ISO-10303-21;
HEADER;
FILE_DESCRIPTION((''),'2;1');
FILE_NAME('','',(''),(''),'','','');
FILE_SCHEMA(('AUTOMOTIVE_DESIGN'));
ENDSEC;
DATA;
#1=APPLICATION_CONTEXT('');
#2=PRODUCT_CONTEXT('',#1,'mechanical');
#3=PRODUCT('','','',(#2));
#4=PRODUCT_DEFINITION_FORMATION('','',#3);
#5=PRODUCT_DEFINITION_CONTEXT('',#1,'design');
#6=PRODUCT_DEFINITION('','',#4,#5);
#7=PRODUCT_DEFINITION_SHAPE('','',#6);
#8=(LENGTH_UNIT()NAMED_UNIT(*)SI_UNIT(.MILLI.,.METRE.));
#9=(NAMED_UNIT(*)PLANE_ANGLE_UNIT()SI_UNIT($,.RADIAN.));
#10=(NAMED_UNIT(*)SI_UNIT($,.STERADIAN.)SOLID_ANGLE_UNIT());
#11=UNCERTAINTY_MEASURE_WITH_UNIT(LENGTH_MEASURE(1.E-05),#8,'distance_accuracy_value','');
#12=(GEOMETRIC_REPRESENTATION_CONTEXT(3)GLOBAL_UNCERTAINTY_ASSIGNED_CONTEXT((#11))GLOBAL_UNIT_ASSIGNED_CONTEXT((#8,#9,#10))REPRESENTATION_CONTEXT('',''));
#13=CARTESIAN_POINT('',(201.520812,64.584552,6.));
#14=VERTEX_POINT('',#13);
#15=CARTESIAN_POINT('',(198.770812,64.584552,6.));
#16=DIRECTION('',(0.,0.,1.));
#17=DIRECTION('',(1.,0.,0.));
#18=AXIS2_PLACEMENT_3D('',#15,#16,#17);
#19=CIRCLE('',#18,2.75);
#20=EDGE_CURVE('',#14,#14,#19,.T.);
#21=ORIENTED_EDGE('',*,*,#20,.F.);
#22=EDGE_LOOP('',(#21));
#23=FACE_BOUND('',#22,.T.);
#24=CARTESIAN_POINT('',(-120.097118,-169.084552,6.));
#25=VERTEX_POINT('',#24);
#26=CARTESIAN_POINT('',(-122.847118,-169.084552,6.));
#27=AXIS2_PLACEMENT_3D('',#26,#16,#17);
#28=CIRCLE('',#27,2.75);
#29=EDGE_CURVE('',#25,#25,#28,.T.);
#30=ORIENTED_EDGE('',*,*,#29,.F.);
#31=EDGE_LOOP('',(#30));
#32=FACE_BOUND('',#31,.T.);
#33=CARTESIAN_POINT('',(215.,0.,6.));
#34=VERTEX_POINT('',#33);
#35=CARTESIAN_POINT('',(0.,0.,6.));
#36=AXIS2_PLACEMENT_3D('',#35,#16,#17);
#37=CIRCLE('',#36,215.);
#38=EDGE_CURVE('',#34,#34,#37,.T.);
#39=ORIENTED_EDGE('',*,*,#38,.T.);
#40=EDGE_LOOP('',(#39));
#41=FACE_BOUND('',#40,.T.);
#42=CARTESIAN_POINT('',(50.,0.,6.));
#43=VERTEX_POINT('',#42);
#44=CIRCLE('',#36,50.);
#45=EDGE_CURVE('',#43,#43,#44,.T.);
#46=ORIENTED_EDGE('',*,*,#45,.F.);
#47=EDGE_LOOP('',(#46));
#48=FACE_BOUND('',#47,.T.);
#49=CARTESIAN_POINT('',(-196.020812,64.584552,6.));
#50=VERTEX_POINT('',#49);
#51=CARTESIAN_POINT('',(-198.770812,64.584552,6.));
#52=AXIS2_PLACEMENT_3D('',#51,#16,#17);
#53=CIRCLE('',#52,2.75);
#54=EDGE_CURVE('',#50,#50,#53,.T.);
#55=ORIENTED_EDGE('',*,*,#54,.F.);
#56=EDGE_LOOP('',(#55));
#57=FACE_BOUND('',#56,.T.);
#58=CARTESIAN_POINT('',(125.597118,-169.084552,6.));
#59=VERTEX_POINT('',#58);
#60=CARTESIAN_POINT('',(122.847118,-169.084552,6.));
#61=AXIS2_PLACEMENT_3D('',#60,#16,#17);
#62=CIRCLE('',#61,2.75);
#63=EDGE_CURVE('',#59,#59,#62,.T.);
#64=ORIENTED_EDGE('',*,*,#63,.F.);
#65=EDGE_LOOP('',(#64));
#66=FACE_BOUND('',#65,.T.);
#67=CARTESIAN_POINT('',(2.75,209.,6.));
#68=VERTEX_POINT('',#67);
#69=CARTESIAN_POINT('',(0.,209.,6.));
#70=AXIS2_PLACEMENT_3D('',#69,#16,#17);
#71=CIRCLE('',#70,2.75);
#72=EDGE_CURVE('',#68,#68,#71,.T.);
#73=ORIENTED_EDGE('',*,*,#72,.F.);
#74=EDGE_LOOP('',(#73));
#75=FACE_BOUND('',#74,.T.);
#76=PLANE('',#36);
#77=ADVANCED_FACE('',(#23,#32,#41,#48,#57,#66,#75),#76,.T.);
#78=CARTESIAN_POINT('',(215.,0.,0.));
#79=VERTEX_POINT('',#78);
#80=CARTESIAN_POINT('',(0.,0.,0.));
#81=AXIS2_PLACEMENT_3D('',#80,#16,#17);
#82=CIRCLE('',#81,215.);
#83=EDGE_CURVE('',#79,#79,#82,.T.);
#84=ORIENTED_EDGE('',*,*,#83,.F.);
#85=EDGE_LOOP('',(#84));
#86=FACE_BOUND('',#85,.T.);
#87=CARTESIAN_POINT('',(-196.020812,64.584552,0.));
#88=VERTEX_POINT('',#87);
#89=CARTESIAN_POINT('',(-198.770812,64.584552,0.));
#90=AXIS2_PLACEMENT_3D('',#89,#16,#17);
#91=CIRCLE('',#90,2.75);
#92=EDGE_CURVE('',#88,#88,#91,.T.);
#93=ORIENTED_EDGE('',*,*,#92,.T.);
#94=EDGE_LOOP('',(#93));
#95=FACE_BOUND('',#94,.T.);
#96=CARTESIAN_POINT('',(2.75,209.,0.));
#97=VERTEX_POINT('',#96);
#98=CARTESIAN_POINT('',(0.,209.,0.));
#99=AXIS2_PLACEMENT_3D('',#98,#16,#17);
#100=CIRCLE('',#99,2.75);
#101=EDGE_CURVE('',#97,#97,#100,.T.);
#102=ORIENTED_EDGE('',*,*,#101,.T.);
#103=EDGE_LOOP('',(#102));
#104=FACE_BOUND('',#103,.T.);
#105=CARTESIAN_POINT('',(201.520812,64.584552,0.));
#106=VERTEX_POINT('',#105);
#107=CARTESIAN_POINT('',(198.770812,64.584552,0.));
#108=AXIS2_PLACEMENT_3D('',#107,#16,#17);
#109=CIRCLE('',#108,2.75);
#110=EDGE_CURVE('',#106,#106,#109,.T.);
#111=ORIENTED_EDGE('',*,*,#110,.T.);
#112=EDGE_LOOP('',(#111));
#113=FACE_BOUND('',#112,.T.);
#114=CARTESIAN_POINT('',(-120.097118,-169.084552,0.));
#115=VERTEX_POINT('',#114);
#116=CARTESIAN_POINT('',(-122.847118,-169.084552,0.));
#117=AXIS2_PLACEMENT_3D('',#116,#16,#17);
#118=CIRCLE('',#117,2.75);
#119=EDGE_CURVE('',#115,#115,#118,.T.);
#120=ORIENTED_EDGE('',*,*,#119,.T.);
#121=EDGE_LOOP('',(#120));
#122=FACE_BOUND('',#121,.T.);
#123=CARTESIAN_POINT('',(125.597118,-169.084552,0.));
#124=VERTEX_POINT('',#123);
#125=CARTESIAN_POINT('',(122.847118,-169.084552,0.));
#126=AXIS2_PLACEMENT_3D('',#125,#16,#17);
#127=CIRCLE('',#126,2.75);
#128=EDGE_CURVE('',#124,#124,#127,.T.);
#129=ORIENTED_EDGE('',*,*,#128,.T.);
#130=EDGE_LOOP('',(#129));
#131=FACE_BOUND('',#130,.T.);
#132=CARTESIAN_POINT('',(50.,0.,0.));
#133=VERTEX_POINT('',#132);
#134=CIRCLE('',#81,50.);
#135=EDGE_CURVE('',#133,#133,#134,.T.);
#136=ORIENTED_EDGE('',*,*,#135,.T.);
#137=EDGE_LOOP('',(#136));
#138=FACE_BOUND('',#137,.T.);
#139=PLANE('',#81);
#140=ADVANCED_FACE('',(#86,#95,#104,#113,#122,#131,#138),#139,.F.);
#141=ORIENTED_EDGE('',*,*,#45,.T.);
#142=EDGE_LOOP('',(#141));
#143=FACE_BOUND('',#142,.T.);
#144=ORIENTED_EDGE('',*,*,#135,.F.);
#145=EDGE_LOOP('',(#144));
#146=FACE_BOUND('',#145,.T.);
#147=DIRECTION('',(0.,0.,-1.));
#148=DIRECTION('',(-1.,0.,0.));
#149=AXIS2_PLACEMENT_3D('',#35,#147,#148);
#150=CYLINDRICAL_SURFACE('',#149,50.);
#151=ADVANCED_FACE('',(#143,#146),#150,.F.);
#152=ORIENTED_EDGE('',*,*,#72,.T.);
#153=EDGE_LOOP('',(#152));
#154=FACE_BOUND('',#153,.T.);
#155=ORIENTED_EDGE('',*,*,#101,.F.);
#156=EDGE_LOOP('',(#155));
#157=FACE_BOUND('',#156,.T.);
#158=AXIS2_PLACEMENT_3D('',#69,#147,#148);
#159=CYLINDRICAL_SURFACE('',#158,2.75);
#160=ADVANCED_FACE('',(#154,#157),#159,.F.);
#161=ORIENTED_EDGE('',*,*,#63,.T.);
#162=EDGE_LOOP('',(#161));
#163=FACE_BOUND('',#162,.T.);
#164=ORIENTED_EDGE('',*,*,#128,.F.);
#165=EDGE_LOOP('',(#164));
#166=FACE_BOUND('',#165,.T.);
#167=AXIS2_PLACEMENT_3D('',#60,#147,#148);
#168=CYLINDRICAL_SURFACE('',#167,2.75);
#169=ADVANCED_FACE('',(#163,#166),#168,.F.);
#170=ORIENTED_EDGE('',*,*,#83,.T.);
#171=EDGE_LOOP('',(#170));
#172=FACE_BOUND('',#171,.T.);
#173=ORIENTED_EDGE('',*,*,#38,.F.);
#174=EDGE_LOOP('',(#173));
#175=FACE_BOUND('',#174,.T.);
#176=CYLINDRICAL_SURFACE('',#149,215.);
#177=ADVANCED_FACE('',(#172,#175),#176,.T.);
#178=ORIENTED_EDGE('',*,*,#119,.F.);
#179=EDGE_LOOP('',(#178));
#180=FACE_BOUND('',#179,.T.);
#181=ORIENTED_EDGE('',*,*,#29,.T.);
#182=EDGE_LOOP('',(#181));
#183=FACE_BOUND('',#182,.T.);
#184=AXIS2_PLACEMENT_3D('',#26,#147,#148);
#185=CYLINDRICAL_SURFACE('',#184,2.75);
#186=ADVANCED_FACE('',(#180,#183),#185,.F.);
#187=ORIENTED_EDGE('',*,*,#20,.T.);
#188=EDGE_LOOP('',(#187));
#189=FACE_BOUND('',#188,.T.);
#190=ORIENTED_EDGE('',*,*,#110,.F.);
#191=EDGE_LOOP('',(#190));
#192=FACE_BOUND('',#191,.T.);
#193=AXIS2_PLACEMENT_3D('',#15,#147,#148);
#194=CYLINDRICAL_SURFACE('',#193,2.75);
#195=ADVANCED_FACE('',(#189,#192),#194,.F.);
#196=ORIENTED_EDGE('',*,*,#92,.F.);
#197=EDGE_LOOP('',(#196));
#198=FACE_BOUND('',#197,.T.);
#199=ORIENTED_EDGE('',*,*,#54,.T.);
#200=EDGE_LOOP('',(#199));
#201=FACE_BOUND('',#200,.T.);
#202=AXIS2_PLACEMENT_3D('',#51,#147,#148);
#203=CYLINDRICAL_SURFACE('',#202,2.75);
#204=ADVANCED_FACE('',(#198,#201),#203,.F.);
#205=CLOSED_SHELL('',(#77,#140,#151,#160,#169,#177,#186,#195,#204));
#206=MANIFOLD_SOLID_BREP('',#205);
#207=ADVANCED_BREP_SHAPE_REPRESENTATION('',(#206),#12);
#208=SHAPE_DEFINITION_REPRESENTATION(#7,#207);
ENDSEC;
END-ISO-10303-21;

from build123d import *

# Parameters (mm, degrees)
SKETCH1_R       = 215
SKETCH1_R_2     = 50
LID_DEPTH       = 6
SKETCH2_R       = 2.75
ROD_HOLES_DEPTH = 6


with BuildPart() as part:
    # Sketch1 → Lid (new body)
    with BuildSketch(Plane.XY):
        Circle(SKETCH1_R)
        Circle(SKETCH1_R_2, mode=Mode.SUBTRACT)
    extrude(amount=LID_DEPTH)

    # Sketch2 → Rod_holes (cut)
    with BuildSketch(Plane.XY):
        with Locations((198.770811906, 64.584551824)):
            Circle(SKETCH2_R)
        with Locations((0, 209)):
            Circle(SKETCH2_R)
        with Locations((-198.770811906, 64.584551824)):
            Circle(SKETCH2_R)
        with Locations((-122.847117729, -169.084551824)):
            Circle(SKETCH2_R)
        with Locations((122.847117729, -169.084551824)):
            Circle(SKETCH2_R)
    extrude(amount=ROD_HOLES_DEPTH, mode=Mode.SUBTRACT)


solid = part.part
